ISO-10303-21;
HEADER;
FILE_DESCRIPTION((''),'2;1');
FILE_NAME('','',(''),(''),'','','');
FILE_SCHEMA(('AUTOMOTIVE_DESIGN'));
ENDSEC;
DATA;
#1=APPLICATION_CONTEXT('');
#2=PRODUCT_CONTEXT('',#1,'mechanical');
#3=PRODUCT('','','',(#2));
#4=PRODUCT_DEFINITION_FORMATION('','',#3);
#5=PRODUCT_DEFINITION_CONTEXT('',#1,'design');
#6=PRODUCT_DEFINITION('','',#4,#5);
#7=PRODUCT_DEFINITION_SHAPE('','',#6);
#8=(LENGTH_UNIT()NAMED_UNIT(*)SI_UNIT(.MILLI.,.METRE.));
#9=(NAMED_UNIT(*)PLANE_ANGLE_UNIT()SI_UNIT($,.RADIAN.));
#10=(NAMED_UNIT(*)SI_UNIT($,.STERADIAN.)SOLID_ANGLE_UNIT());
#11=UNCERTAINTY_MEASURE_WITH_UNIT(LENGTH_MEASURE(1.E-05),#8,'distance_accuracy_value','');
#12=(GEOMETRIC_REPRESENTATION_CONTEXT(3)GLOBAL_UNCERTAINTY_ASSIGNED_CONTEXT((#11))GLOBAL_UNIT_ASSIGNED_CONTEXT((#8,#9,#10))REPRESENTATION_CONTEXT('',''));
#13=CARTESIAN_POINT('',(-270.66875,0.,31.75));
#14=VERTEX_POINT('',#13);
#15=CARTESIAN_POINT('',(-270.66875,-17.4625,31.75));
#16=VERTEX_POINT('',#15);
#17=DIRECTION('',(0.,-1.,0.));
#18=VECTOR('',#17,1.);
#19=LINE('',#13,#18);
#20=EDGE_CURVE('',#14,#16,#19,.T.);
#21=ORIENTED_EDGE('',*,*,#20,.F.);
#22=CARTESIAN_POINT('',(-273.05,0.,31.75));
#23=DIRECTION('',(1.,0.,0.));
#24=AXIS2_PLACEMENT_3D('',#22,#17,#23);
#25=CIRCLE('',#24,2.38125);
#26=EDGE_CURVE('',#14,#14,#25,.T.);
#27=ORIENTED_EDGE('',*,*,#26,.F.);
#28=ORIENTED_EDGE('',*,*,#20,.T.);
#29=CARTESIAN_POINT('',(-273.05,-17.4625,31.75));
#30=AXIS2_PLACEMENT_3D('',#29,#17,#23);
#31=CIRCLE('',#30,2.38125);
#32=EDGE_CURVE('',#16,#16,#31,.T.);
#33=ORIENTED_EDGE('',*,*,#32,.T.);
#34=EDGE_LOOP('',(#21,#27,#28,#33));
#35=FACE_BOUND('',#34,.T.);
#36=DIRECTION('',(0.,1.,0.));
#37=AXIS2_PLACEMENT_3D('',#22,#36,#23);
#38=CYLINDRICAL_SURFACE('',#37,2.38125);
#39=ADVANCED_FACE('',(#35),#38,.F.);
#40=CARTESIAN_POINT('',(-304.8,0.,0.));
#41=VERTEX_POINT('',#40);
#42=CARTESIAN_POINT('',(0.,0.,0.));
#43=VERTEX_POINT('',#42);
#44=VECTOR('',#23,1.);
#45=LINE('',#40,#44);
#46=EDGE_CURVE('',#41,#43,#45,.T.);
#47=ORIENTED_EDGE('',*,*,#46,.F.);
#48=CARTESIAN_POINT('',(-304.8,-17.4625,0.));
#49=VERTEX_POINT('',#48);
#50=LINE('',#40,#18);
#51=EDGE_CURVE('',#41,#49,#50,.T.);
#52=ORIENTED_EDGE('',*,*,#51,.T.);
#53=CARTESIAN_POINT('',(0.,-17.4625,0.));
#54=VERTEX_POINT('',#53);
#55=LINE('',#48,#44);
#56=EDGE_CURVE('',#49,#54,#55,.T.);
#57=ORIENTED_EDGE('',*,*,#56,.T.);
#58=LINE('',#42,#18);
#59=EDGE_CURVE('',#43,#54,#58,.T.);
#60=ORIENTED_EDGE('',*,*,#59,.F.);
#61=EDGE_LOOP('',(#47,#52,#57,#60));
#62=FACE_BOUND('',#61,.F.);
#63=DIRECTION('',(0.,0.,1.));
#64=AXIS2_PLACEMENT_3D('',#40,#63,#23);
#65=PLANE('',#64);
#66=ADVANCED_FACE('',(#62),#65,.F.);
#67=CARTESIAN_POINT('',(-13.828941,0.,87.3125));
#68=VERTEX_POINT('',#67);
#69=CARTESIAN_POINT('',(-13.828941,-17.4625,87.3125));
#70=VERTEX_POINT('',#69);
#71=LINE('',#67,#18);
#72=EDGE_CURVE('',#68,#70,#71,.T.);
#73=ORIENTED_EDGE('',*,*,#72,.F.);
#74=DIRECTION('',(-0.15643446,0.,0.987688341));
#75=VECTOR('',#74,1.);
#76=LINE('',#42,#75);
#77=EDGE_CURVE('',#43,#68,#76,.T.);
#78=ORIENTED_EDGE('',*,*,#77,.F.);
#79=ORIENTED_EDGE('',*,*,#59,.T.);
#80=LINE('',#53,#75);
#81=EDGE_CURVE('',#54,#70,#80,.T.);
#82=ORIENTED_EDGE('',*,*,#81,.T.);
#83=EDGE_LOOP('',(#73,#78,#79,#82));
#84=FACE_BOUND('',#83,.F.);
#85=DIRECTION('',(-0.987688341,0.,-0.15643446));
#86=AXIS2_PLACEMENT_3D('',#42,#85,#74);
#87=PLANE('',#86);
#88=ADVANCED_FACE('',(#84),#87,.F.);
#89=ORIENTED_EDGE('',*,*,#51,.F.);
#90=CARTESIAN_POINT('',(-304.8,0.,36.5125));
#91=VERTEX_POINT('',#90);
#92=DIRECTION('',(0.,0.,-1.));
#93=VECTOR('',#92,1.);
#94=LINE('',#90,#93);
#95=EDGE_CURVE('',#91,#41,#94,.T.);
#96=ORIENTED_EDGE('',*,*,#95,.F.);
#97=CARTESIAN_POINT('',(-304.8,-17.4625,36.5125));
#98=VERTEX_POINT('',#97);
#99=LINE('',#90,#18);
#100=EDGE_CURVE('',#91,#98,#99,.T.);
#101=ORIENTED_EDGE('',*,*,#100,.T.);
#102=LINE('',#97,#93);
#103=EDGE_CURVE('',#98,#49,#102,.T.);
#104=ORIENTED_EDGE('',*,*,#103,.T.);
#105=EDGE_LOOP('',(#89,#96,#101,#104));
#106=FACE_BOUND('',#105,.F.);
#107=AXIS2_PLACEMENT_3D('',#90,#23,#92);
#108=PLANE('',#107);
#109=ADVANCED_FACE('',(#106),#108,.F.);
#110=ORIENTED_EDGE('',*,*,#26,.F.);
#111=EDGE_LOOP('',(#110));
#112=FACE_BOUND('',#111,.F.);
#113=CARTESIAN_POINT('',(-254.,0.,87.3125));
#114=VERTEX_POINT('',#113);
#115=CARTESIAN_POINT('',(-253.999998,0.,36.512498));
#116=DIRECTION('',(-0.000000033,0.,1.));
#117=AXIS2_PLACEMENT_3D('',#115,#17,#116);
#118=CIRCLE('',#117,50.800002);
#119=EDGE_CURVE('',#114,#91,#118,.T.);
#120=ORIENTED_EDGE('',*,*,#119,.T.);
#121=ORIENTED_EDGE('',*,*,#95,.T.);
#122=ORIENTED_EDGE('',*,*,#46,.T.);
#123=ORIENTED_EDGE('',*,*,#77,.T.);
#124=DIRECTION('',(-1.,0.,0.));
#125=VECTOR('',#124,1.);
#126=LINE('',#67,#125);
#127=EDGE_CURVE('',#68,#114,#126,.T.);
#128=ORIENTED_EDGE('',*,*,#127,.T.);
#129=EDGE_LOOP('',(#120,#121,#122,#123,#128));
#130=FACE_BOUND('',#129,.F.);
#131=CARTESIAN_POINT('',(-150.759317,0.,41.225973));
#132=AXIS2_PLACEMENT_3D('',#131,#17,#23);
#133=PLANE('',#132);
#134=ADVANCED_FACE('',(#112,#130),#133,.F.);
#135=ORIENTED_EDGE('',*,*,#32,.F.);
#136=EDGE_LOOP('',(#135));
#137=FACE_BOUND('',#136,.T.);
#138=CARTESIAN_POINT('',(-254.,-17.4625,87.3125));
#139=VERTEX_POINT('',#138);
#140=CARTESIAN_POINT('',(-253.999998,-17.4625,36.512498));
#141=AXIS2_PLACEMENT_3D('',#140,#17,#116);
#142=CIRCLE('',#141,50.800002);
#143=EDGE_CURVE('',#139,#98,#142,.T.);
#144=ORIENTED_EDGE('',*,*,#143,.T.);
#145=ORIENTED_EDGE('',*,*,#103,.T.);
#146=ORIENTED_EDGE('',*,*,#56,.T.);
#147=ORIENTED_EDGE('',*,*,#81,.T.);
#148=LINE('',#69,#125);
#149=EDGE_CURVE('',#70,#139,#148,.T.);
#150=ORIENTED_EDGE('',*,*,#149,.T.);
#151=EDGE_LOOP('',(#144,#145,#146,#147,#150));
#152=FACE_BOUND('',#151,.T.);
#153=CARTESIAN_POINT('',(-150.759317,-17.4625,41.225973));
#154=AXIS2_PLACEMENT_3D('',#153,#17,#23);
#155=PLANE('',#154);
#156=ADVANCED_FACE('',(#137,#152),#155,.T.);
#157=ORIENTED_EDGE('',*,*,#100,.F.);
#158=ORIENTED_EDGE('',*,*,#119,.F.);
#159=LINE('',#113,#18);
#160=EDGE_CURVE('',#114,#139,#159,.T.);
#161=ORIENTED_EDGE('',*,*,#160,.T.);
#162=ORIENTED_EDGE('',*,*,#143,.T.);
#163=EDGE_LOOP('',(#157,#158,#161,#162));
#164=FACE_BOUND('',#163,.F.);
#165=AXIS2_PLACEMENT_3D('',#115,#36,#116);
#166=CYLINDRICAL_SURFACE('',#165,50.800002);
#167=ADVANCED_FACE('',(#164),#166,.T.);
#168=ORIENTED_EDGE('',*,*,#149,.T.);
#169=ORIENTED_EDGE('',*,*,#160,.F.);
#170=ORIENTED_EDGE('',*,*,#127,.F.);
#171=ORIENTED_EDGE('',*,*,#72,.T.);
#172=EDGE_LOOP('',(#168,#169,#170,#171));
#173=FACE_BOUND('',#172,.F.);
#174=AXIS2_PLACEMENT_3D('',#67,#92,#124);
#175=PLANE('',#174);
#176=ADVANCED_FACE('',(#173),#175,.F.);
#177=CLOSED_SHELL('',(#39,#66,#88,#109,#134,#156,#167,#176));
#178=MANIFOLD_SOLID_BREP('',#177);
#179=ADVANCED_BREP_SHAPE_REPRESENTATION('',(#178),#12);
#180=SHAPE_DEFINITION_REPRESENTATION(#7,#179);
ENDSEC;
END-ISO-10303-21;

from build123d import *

# Parameters (mm, degrees)
F0_R     = 2.38125
F1_DEPTH = 17.4625


with BuildPart() as f1:
    # F0 (on Front) → F1 (new body)
    with BuildSketch(Plane.XZ):
        with BuildLine():
            Line((-304.8, 0), (0, 0))
            Line((0, 0), (-13.828941, 87.3125))
            Line((-13.828941, 87.3125), (-254, 87.3125))
            ThreePointArc((-254, 87.3125), (-289.921024, 72.433524), (-304.8, 36.5125))
            Line((-304.8, 36.5125), (-304.8, 0))
        make_face()
        with Locations((-273.05, 31.75)):
            Circle(F0_R, mode=Mode.SUBTRACT)
    extrude(amount=F1_DEPTH)


solid = f1.part
